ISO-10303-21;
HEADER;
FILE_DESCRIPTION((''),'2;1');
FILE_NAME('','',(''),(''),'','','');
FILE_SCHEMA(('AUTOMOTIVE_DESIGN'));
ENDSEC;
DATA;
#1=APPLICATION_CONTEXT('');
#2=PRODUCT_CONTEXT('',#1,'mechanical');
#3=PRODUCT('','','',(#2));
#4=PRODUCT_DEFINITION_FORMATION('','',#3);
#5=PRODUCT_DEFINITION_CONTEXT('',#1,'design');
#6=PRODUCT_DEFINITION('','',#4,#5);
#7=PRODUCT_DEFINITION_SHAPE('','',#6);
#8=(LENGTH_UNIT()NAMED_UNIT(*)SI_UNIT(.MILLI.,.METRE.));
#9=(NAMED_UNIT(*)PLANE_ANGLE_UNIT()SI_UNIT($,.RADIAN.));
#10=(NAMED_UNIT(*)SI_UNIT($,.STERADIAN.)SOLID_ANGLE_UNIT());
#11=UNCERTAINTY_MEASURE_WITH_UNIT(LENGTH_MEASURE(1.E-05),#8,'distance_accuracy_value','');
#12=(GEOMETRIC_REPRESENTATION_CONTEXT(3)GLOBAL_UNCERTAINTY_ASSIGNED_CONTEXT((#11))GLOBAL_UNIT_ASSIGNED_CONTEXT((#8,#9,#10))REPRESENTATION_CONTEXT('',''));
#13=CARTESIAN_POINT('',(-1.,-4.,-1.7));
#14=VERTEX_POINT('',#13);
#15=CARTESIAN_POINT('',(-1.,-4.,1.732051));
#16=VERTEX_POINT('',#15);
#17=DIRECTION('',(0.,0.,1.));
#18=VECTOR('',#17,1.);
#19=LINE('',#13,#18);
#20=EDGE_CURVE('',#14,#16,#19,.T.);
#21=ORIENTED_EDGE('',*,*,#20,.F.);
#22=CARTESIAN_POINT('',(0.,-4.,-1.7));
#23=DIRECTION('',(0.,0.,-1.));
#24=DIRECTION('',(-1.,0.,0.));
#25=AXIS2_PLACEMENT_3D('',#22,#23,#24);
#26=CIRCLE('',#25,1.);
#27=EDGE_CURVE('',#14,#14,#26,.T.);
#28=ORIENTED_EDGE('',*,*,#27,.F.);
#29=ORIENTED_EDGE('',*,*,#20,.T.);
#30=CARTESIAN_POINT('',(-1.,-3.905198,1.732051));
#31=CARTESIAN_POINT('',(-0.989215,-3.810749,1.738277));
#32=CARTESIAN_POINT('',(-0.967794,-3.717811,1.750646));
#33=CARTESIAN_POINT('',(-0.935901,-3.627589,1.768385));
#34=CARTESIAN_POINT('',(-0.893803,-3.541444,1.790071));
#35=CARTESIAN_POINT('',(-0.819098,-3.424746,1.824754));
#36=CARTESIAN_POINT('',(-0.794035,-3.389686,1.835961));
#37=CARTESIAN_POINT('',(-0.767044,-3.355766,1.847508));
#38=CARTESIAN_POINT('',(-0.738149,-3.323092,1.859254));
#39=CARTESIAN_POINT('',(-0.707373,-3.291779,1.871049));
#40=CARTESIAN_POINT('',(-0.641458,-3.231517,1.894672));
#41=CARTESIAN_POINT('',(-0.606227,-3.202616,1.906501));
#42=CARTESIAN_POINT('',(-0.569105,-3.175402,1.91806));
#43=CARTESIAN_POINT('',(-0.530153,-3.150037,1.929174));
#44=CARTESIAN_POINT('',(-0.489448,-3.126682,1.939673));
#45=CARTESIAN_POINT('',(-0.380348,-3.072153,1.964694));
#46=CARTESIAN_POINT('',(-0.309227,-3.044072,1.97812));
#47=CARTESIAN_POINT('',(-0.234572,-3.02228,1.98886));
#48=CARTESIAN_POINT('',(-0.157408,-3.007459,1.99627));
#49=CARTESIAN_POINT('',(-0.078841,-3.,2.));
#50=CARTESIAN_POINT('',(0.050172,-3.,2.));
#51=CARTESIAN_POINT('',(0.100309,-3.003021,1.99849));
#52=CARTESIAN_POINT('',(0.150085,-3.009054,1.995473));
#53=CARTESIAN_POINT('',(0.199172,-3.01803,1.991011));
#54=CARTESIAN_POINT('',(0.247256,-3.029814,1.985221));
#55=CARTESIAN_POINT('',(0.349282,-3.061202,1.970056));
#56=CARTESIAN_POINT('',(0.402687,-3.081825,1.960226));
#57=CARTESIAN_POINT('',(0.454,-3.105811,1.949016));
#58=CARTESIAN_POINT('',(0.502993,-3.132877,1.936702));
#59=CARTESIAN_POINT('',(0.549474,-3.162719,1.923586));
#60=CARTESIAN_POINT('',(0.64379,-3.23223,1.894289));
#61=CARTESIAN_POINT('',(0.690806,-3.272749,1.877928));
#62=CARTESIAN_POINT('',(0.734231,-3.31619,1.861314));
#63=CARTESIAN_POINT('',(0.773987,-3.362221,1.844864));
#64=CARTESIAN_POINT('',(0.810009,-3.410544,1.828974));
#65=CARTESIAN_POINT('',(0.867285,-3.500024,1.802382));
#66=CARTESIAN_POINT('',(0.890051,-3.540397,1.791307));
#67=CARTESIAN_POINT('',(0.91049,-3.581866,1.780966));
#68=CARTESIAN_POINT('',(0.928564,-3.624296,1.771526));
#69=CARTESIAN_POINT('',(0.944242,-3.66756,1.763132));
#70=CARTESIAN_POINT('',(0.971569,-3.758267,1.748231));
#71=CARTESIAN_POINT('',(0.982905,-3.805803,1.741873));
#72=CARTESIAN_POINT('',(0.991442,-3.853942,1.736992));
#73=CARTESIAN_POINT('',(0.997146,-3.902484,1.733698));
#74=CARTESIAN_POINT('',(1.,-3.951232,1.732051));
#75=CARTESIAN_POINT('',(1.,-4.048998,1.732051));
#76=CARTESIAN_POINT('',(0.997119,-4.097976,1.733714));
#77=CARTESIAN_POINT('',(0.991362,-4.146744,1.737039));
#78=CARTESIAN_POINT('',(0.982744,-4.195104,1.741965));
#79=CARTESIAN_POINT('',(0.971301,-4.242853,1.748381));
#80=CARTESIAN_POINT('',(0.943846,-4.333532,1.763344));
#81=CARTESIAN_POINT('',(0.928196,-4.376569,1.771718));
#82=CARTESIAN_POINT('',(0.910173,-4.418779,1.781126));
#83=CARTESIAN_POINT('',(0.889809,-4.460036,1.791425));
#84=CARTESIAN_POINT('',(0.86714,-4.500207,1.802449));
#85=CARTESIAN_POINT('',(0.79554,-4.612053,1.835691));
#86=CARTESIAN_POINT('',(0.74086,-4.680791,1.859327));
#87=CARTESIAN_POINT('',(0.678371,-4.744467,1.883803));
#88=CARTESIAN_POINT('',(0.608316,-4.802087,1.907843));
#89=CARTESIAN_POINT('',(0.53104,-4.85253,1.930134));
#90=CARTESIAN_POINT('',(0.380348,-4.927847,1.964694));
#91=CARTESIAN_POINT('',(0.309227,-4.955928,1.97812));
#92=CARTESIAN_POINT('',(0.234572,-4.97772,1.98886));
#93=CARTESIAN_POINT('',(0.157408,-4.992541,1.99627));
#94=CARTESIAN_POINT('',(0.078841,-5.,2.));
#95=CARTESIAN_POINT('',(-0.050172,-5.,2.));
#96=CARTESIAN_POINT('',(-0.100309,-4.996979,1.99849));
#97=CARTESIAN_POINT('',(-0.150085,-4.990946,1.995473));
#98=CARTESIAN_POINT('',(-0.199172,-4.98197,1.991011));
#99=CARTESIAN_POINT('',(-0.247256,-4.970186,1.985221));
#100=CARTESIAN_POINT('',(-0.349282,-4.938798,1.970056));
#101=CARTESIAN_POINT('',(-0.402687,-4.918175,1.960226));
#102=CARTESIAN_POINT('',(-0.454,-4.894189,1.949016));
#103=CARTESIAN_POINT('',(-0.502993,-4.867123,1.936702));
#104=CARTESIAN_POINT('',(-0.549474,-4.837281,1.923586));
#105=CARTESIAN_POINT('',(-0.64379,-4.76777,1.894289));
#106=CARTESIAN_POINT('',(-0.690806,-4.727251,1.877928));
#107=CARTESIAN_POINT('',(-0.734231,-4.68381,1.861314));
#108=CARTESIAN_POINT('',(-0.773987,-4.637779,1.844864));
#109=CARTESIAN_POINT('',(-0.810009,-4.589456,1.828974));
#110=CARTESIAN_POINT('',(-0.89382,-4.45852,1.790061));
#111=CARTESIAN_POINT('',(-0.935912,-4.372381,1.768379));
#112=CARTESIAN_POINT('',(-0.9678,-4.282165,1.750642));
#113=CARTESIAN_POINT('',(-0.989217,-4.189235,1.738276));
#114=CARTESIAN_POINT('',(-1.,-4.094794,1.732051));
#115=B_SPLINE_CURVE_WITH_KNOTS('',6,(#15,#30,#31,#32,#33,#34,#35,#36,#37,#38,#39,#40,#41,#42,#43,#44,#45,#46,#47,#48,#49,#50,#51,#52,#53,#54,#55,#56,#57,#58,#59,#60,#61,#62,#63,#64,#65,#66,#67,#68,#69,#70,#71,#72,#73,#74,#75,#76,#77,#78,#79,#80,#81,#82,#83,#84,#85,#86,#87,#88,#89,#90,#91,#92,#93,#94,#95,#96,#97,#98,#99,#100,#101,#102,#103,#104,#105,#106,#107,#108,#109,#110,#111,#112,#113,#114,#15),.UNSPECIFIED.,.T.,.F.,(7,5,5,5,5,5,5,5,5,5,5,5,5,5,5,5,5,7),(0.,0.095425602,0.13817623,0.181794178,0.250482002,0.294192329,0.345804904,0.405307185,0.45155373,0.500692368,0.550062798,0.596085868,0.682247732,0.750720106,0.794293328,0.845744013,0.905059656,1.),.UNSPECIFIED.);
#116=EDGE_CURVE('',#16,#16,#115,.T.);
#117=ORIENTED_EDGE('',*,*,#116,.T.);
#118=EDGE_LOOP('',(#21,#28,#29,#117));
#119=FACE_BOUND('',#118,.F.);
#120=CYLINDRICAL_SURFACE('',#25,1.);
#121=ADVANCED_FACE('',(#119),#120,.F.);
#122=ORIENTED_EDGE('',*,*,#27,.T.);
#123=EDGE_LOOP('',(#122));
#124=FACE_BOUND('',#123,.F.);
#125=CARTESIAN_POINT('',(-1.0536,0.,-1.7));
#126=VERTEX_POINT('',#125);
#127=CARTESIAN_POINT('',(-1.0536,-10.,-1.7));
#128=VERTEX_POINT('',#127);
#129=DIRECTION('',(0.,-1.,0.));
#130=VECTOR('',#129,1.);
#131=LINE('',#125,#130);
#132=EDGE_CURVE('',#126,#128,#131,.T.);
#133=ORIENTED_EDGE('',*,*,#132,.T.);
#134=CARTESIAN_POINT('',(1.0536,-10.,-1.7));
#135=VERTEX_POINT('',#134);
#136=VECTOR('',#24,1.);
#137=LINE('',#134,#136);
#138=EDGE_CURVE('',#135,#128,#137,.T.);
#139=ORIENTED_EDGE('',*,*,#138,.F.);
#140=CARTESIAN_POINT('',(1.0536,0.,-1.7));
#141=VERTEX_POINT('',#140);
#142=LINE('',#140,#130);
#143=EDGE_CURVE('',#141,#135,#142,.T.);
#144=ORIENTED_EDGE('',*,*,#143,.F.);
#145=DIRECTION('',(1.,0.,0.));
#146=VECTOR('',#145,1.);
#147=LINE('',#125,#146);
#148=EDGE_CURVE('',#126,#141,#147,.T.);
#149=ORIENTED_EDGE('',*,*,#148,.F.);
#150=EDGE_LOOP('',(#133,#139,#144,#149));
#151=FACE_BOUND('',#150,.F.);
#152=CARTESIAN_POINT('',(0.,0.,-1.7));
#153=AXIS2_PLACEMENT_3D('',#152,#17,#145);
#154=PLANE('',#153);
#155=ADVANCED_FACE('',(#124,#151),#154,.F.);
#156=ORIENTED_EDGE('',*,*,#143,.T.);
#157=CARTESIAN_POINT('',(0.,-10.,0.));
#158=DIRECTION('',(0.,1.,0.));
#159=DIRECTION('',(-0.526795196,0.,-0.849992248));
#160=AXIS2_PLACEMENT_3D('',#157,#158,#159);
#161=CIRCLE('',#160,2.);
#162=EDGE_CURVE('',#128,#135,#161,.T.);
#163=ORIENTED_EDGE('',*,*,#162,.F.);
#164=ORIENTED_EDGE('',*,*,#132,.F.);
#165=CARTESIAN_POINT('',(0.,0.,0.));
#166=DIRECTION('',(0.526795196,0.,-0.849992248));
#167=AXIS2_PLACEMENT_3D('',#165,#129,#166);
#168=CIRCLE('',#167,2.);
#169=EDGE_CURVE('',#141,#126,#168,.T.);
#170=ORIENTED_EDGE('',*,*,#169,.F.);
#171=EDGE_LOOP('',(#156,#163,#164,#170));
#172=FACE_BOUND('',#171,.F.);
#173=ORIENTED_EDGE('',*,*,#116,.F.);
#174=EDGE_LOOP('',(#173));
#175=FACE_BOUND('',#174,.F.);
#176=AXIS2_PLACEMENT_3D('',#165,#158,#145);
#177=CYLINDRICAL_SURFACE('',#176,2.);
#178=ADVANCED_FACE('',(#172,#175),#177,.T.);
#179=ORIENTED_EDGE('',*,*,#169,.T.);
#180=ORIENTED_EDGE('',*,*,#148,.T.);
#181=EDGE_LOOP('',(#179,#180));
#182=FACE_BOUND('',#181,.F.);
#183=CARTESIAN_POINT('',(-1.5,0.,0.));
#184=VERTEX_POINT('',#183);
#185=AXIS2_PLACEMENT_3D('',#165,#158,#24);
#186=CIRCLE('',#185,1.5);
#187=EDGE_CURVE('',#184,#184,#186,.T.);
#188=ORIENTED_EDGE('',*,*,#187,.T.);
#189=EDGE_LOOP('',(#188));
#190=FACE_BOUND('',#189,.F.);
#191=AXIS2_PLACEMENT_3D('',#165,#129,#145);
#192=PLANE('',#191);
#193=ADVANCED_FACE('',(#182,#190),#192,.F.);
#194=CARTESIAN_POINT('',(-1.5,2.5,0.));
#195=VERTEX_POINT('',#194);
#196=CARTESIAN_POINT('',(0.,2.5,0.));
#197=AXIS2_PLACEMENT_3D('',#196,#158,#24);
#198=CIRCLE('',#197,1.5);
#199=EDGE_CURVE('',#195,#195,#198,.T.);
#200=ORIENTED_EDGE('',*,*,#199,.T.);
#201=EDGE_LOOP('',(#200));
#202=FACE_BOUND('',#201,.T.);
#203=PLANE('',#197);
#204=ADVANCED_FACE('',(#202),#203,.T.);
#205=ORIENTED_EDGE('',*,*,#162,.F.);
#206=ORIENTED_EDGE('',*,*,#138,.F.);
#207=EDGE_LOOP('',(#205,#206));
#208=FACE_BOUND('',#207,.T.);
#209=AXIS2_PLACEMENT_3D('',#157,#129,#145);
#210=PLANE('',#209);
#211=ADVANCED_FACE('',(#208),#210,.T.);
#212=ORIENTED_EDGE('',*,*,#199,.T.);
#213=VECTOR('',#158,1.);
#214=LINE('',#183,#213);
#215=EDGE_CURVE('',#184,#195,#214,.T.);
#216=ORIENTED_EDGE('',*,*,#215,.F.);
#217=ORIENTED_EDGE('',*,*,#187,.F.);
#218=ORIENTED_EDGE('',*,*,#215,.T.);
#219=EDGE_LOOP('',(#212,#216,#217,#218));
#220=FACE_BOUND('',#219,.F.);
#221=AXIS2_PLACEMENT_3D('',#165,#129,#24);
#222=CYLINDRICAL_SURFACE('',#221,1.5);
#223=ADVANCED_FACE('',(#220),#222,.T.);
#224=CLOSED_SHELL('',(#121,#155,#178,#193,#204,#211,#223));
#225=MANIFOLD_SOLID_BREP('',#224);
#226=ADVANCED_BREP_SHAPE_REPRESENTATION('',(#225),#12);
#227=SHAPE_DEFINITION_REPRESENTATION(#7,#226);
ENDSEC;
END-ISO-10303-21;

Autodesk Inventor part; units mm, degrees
ref_plane "YZ Plane" through (0, 0, 0) normal (1, 0, 0) x (0, 1, 0)
ref_plane "XZ Plane" through (0, 0, 0) normal (0, 1, 0) x (-1, 0, 0)
ref_plane "XY Plane" through (0, 0, 0) normal (0, 0, 1) x (1, 0, 0)
sketch "スケッチ1" plane through (0, 0, 0) normal (0, 1, 0) x (-1, 0, 0)
  circle A0 centre (0, 0) radius 1.5
  dimension "d0" = 3
extrude "押し出し1" add sketch "スケッチ1" along normal blind 2.5
thread "ねじ1" size "M3x0.5" class "6g" standard "ANSI Metric M Profile" full length
sketch "スケッチ2" plane through (0, 0, 0) normal (0, -1, 0) x (1, 0, 0)
  circle A0 centre (0, 0) radius 2
  line L0 (0, -2) -> (0, -1.7)
  line L1 (0, -1.7) -> (-1.0536, -1.7)
  line L2 (0, -1.7) -> (1.0536, -1.7)
  dimension "d5" = 4
  dimension "d6" = 0.3
extrude "押し出し2" add sketch "スケッチ2" along normal blind 10 contours A0 L2 L1
sketch "スケッチ3" plane through (1.0536, 0, -1.7) normal (0, 0, -1) x (-1, 0, 0)
  circle A0 centre (1.0536, -4) radius 1
  line L0 (2.1071, 0) -> (0, 0) projected
  point P0 (1.0536, 0)
  dimension "d9" = 2
  dimension "d10" = 4
extrude "押し出し3" cut sketch "スケッチ3" against normal blind 10
properties part number "shaftcranp"
